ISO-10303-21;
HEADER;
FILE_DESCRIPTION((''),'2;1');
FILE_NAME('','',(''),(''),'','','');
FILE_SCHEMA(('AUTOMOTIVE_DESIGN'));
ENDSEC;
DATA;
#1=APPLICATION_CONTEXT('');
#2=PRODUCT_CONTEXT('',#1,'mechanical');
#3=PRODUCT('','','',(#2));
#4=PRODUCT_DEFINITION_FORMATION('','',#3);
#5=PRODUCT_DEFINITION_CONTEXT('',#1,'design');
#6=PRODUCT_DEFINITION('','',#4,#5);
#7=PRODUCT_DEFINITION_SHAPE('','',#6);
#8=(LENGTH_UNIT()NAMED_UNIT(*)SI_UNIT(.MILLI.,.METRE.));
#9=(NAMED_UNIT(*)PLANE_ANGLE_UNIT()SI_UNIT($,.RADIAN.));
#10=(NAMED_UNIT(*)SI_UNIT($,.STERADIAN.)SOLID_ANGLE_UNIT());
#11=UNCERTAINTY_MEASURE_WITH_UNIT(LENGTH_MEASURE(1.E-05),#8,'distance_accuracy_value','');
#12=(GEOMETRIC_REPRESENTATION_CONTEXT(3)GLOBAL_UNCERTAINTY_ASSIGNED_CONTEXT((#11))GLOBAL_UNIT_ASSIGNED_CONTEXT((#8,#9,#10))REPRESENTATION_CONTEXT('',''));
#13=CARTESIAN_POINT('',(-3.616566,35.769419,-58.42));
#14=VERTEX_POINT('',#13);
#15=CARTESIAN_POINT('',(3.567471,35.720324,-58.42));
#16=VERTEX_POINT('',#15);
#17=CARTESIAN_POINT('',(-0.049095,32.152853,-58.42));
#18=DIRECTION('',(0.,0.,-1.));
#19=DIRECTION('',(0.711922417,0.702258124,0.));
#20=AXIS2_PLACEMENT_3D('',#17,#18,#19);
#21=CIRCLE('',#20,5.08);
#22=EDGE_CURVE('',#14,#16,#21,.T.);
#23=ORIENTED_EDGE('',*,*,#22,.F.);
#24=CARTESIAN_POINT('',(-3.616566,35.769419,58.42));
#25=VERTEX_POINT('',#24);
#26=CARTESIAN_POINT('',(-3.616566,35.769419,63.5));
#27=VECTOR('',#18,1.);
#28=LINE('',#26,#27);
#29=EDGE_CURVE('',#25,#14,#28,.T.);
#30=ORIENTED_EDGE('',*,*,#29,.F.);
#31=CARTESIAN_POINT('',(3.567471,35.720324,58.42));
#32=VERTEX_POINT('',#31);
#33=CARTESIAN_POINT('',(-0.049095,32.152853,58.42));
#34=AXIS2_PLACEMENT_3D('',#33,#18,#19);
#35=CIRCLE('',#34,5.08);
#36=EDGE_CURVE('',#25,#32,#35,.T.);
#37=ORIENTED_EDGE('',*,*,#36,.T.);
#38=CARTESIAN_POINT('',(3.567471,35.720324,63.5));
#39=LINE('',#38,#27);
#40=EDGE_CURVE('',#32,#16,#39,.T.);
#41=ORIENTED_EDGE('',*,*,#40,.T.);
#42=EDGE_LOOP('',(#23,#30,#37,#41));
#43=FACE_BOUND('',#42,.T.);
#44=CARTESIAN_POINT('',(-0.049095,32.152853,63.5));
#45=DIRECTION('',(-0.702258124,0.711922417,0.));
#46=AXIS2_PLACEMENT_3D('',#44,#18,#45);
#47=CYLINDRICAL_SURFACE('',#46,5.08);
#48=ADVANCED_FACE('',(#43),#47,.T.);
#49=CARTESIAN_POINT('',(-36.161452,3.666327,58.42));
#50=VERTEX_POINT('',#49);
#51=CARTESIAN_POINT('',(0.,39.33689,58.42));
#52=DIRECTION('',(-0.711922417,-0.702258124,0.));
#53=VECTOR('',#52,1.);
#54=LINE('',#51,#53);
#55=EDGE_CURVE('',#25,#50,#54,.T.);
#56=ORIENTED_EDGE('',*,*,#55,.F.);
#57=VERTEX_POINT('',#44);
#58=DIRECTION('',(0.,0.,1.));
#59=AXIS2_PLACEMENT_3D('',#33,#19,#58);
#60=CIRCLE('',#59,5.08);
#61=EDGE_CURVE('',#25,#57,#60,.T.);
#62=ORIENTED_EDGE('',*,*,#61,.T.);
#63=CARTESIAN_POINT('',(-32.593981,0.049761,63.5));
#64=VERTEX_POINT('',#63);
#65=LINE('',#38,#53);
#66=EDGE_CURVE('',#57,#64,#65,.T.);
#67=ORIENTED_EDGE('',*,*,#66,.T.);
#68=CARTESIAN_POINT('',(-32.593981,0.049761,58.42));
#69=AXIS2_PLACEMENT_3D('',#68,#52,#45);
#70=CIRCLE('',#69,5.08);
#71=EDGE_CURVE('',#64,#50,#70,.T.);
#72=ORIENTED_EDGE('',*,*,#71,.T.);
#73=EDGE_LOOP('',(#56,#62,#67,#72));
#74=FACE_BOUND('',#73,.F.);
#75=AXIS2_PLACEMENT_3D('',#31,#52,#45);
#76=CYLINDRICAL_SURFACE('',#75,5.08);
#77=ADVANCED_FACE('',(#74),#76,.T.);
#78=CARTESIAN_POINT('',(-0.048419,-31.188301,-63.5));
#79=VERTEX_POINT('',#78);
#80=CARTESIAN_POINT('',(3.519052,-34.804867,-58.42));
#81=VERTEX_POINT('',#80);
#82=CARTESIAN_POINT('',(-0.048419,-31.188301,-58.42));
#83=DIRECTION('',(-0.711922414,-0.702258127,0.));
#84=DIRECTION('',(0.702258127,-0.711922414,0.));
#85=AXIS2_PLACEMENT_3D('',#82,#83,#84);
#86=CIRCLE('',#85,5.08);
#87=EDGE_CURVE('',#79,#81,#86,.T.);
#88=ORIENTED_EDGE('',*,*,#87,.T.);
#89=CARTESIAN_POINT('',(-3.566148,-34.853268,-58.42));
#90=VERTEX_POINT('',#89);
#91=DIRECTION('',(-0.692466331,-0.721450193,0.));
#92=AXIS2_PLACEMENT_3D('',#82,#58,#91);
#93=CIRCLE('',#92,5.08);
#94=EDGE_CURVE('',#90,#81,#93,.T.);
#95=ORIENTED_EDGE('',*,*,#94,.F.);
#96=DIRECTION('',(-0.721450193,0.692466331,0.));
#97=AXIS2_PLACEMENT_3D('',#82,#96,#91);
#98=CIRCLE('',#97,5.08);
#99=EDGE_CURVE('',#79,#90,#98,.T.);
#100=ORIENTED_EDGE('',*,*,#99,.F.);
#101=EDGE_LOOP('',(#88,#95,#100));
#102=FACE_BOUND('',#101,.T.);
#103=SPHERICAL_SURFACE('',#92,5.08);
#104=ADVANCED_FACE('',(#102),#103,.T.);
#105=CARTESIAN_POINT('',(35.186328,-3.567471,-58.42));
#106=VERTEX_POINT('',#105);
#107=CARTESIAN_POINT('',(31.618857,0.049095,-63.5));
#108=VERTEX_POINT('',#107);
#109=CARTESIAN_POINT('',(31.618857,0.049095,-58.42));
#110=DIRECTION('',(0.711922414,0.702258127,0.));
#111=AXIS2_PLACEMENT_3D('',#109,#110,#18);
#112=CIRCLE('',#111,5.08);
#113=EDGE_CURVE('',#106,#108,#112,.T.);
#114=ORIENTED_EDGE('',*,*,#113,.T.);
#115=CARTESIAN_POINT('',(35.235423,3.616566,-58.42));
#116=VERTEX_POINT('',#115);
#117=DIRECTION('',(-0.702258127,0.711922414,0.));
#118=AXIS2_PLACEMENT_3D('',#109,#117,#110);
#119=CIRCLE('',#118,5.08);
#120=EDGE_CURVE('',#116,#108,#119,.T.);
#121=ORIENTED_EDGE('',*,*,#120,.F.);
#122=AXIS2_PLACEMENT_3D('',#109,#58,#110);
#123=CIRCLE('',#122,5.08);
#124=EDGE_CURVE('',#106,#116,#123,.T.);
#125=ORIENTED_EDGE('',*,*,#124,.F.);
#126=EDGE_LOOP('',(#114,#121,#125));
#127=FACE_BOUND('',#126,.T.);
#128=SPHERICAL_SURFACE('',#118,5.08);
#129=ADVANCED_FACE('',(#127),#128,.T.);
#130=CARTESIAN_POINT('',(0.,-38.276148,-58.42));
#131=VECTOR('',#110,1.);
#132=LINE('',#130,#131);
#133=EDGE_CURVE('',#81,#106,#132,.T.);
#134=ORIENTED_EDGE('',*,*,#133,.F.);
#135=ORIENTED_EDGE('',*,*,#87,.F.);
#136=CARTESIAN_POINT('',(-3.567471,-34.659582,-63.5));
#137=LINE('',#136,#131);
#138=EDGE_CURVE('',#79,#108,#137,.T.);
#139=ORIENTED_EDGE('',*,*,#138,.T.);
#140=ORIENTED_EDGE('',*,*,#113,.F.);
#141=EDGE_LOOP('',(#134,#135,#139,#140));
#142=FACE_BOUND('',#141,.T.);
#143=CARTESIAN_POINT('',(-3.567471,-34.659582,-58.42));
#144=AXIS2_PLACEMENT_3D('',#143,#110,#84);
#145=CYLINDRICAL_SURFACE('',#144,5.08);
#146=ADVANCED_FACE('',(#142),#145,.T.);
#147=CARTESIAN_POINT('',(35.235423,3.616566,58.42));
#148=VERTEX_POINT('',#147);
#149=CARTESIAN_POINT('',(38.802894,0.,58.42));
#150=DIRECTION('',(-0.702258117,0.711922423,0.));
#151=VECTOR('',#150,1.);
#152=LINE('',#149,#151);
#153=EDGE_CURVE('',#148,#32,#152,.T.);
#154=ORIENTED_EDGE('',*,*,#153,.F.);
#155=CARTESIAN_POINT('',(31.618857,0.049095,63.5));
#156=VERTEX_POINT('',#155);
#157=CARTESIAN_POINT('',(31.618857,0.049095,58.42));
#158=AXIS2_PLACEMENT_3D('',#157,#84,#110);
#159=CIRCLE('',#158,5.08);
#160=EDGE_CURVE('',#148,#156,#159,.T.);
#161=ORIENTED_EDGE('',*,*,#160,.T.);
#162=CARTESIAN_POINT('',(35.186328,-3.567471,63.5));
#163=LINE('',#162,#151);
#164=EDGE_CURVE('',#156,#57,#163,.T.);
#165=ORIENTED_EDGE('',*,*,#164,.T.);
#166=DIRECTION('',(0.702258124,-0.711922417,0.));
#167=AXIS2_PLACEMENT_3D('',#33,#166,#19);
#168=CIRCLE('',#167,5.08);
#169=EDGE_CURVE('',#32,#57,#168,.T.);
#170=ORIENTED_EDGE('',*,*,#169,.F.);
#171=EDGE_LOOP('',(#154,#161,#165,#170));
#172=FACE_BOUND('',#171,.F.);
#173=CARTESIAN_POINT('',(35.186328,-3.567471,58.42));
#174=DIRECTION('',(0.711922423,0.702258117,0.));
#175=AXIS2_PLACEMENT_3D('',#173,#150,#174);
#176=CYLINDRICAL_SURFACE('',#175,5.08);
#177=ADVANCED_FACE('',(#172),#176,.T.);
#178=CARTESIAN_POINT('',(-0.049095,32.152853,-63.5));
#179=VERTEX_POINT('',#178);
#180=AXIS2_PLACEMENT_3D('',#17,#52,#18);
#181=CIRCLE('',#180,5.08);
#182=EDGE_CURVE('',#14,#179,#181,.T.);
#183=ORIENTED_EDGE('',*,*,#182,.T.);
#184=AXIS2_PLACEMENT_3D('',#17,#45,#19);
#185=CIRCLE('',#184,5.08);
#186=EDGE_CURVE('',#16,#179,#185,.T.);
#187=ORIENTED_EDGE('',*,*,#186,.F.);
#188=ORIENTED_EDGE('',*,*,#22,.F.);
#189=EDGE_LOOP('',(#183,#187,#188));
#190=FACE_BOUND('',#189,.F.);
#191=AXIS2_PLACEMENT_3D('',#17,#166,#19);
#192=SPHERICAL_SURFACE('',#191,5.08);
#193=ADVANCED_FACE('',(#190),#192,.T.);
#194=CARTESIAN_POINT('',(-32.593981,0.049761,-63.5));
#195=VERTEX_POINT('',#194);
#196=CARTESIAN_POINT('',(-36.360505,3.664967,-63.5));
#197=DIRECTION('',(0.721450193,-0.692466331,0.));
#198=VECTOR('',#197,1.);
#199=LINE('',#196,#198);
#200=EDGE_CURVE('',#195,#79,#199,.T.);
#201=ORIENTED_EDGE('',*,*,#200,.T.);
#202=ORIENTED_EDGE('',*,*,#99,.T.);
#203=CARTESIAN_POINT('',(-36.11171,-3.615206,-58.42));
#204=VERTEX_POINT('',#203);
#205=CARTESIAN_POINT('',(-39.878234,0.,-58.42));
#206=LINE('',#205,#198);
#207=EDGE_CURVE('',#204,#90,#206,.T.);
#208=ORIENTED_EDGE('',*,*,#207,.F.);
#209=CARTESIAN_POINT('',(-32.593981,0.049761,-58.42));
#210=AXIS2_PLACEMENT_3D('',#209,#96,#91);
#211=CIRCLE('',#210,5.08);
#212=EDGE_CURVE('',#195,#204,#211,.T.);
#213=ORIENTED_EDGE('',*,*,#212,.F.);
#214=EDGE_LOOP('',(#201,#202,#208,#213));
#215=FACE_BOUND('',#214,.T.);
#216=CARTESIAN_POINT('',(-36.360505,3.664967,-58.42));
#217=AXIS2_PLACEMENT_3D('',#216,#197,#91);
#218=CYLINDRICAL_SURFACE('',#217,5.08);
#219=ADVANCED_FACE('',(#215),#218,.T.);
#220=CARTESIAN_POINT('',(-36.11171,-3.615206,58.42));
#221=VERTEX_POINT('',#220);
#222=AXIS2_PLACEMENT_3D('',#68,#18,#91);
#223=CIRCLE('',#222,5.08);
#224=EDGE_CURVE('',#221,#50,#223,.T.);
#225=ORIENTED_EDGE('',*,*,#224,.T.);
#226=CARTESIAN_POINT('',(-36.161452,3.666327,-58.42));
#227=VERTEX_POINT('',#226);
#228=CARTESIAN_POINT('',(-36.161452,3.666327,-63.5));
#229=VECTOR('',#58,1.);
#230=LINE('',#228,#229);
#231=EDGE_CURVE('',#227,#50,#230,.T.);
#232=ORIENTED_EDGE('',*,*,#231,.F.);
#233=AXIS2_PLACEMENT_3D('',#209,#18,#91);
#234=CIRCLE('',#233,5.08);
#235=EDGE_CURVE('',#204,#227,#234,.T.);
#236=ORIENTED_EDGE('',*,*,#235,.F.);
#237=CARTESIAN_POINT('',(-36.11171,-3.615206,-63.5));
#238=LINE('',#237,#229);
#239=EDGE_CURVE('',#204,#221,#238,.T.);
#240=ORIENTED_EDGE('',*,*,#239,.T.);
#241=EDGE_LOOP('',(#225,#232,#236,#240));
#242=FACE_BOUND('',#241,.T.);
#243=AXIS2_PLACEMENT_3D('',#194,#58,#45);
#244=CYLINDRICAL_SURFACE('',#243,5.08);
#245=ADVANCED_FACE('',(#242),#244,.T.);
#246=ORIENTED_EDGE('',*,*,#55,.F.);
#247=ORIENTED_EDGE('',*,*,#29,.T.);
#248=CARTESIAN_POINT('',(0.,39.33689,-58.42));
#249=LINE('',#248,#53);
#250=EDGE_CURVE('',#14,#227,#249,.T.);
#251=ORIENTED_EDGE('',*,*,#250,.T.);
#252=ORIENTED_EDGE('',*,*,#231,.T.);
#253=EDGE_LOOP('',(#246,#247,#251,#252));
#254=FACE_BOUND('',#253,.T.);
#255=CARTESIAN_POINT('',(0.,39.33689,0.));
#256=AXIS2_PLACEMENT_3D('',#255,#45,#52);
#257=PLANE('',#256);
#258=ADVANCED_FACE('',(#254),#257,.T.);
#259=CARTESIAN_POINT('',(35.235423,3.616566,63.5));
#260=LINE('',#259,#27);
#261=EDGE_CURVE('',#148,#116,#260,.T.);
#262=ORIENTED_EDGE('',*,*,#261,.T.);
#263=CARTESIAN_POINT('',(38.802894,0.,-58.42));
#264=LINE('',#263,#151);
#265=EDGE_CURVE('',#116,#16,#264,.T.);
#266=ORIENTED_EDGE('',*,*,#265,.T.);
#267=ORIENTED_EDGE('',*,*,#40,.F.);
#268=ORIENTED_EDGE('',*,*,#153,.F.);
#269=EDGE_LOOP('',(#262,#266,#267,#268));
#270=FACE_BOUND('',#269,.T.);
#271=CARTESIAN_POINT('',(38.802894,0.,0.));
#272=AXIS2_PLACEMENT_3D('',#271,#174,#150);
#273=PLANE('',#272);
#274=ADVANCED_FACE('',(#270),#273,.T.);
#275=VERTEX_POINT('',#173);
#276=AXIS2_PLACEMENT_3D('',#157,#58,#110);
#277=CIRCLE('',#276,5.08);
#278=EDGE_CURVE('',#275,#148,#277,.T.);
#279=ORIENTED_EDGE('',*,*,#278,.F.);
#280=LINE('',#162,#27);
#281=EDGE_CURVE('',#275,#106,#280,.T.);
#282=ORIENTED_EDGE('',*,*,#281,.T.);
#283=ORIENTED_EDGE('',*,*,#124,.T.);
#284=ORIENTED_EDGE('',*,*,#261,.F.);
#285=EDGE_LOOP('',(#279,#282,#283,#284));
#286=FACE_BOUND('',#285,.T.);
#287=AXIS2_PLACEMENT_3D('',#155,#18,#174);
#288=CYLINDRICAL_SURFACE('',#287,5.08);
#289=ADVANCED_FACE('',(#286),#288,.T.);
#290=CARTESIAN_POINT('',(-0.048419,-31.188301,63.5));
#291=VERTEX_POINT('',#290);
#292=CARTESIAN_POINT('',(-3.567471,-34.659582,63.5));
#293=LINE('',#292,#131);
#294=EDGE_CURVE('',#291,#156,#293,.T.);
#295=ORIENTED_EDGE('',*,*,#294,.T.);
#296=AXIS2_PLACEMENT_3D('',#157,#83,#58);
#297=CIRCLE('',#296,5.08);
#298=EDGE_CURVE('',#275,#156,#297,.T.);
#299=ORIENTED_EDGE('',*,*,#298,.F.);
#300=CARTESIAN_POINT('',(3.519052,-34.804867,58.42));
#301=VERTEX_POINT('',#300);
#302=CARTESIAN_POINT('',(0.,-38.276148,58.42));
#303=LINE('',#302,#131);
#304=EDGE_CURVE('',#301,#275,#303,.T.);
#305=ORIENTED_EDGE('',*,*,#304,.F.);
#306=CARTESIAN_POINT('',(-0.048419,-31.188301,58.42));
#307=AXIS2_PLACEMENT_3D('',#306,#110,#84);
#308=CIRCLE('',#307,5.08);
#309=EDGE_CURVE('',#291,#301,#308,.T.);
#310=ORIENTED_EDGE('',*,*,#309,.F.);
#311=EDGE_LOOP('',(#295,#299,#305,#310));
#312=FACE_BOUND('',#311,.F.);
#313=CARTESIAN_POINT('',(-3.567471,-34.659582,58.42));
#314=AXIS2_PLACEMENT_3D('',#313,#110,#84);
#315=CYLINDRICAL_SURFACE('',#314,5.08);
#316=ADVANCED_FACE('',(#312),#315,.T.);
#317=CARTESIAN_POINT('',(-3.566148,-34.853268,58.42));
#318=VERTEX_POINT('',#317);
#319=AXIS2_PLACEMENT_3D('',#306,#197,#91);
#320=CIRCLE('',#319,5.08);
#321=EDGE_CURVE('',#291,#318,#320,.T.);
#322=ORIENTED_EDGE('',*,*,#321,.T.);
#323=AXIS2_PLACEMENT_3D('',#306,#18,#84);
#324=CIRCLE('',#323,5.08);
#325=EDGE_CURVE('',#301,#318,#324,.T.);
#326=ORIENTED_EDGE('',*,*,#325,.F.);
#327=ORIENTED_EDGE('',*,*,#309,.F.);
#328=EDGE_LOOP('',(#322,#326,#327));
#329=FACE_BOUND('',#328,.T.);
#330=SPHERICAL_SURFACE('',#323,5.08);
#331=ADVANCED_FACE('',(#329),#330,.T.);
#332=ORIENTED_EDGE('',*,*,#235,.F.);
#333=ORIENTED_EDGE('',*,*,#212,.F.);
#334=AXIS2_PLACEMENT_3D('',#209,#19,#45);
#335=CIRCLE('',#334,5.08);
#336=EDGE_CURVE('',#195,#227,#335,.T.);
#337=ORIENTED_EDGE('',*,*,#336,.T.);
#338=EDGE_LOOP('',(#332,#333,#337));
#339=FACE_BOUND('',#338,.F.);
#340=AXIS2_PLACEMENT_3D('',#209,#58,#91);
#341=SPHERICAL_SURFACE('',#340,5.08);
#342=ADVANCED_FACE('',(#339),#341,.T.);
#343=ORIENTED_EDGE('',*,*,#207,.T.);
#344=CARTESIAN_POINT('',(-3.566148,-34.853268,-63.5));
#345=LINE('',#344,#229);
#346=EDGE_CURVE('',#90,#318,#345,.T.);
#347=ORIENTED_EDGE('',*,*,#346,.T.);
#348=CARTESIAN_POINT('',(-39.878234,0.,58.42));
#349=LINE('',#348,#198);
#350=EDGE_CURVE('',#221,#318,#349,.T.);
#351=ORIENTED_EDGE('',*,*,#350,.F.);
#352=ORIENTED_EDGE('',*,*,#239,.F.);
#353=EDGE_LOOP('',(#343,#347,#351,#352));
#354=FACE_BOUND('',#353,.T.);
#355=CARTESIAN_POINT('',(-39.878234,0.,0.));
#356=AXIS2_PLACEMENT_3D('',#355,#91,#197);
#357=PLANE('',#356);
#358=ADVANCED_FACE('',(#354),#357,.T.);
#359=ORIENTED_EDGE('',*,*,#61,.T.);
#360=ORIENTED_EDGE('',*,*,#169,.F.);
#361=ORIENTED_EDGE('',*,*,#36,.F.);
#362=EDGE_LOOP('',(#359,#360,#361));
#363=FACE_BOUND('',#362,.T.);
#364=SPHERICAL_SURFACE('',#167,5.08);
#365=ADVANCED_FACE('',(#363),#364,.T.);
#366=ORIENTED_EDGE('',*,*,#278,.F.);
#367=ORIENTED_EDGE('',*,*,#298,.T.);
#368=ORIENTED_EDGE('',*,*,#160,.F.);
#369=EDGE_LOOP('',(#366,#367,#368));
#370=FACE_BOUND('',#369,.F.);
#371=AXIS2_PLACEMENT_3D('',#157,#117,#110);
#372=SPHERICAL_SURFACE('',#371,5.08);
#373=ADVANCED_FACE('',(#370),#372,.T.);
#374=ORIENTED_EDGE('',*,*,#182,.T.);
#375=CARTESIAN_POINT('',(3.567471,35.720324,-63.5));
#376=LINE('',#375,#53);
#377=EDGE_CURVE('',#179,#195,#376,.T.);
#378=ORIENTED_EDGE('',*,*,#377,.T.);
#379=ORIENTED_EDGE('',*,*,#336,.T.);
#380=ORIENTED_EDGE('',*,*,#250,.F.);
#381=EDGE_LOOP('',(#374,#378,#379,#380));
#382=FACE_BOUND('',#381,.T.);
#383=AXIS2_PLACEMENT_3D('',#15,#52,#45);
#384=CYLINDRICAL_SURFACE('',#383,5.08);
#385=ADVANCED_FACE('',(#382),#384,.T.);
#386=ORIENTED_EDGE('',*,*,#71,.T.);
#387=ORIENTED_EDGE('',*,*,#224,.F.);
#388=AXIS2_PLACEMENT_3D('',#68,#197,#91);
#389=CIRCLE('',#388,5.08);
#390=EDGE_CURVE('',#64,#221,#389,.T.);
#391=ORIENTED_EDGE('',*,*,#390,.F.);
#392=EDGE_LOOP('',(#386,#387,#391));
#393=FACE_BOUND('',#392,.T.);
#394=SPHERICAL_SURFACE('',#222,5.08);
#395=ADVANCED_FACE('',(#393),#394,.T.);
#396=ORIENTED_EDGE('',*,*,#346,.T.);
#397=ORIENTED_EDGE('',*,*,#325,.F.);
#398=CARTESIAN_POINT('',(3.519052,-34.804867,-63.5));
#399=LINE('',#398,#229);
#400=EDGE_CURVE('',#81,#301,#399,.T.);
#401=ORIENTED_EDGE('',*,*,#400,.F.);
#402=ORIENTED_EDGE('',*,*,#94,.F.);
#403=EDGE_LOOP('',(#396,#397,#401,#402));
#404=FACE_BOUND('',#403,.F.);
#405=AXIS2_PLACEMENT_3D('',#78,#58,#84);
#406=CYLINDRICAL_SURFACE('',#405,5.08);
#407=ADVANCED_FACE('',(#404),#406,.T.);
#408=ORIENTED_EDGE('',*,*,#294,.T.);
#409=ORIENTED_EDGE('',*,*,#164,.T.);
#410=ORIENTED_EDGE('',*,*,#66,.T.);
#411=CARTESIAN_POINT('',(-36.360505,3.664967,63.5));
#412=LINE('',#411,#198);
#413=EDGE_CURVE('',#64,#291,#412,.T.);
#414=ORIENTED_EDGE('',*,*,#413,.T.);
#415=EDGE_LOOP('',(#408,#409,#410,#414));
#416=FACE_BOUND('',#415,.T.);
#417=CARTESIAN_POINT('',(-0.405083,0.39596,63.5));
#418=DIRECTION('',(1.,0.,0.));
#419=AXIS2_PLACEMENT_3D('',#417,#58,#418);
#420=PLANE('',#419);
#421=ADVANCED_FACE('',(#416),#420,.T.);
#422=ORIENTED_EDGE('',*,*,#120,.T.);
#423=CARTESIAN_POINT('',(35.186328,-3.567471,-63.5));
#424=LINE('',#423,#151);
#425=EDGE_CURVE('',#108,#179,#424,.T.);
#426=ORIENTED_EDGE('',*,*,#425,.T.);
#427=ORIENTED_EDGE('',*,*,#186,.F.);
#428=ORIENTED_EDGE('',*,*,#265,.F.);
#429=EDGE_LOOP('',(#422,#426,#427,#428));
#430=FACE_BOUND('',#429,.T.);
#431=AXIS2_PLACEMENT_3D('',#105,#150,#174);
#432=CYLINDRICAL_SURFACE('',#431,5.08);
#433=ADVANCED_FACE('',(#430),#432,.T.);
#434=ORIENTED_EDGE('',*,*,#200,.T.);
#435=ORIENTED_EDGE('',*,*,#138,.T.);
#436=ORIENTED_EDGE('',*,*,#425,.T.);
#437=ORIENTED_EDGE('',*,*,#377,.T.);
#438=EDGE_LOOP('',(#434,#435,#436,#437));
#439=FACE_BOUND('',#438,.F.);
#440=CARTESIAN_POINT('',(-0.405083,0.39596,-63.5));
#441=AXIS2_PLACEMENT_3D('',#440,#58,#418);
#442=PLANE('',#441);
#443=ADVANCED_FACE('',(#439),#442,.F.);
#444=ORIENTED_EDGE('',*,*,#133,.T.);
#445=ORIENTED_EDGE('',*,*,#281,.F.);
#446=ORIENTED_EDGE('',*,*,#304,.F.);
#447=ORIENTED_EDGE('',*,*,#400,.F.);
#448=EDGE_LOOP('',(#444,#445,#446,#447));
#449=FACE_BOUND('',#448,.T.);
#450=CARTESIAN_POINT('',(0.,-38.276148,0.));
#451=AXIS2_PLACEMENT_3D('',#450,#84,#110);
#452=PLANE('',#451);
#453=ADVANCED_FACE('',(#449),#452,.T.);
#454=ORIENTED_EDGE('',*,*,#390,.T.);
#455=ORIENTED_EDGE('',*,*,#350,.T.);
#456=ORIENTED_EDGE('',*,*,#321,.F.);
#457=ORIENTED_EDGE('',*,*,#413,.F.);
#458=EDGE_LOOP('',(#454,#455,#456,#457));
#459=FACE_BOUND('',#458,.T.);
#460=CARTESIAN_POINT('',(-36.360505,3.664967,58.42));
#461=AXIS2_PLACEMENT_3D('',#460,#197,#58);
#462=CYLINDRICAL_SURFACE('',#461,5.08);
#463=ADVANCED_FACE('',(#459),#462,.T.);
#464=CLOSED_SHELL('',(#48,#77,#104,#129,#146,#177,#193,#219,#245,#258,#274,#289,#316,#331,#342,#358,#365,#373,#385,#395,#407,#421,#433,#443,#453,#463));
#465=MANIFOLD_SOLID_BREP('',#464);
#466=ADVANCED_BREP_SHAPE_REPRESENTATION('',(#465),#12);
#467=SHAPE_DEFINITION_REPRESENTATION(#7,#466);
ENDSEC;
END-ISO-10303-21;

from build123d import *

# Parameters (mm, degrees)
F1_DEPTH = 63.5
F3_R     = 5.08


with BuildPart() as f1:
    # F0 (on Top) → F1 (new body, symmetric)
    with BuildSketch(Plane.XY):
        Polygon((0, 39.33689), (-39.878234, 0), (0, -38.276148), (38.802894, 0), align=None)
    extrude(amount=F1_DEPTH, both=True)

    # F3
    f3_edges = [f1.edges().sort_by_distance(p)[0] for p in [
        (19.401447, 19.668445, 63.5),
        (19.401447, 19.668445, -63.5),
        (0, 39.33689, 0),
        (38.802894, 0, 0),
        (19.401447, -19.138074, 63.5),
        (-19.939117, -19.138074, 63.5),
        (-19.939117, 19.668445, 63.5),
        (0, -38.276148, 0),
        (-39.878234, 0, 0),
        (-19.939117, -19.138074, -63.5),
        (19.401447, -19.138074, -63.5),
        (-19.939117, 19.668445, -63.5),
    ]]
    fillet(f3_edges, radius=F3_R)


solid = f1.part
